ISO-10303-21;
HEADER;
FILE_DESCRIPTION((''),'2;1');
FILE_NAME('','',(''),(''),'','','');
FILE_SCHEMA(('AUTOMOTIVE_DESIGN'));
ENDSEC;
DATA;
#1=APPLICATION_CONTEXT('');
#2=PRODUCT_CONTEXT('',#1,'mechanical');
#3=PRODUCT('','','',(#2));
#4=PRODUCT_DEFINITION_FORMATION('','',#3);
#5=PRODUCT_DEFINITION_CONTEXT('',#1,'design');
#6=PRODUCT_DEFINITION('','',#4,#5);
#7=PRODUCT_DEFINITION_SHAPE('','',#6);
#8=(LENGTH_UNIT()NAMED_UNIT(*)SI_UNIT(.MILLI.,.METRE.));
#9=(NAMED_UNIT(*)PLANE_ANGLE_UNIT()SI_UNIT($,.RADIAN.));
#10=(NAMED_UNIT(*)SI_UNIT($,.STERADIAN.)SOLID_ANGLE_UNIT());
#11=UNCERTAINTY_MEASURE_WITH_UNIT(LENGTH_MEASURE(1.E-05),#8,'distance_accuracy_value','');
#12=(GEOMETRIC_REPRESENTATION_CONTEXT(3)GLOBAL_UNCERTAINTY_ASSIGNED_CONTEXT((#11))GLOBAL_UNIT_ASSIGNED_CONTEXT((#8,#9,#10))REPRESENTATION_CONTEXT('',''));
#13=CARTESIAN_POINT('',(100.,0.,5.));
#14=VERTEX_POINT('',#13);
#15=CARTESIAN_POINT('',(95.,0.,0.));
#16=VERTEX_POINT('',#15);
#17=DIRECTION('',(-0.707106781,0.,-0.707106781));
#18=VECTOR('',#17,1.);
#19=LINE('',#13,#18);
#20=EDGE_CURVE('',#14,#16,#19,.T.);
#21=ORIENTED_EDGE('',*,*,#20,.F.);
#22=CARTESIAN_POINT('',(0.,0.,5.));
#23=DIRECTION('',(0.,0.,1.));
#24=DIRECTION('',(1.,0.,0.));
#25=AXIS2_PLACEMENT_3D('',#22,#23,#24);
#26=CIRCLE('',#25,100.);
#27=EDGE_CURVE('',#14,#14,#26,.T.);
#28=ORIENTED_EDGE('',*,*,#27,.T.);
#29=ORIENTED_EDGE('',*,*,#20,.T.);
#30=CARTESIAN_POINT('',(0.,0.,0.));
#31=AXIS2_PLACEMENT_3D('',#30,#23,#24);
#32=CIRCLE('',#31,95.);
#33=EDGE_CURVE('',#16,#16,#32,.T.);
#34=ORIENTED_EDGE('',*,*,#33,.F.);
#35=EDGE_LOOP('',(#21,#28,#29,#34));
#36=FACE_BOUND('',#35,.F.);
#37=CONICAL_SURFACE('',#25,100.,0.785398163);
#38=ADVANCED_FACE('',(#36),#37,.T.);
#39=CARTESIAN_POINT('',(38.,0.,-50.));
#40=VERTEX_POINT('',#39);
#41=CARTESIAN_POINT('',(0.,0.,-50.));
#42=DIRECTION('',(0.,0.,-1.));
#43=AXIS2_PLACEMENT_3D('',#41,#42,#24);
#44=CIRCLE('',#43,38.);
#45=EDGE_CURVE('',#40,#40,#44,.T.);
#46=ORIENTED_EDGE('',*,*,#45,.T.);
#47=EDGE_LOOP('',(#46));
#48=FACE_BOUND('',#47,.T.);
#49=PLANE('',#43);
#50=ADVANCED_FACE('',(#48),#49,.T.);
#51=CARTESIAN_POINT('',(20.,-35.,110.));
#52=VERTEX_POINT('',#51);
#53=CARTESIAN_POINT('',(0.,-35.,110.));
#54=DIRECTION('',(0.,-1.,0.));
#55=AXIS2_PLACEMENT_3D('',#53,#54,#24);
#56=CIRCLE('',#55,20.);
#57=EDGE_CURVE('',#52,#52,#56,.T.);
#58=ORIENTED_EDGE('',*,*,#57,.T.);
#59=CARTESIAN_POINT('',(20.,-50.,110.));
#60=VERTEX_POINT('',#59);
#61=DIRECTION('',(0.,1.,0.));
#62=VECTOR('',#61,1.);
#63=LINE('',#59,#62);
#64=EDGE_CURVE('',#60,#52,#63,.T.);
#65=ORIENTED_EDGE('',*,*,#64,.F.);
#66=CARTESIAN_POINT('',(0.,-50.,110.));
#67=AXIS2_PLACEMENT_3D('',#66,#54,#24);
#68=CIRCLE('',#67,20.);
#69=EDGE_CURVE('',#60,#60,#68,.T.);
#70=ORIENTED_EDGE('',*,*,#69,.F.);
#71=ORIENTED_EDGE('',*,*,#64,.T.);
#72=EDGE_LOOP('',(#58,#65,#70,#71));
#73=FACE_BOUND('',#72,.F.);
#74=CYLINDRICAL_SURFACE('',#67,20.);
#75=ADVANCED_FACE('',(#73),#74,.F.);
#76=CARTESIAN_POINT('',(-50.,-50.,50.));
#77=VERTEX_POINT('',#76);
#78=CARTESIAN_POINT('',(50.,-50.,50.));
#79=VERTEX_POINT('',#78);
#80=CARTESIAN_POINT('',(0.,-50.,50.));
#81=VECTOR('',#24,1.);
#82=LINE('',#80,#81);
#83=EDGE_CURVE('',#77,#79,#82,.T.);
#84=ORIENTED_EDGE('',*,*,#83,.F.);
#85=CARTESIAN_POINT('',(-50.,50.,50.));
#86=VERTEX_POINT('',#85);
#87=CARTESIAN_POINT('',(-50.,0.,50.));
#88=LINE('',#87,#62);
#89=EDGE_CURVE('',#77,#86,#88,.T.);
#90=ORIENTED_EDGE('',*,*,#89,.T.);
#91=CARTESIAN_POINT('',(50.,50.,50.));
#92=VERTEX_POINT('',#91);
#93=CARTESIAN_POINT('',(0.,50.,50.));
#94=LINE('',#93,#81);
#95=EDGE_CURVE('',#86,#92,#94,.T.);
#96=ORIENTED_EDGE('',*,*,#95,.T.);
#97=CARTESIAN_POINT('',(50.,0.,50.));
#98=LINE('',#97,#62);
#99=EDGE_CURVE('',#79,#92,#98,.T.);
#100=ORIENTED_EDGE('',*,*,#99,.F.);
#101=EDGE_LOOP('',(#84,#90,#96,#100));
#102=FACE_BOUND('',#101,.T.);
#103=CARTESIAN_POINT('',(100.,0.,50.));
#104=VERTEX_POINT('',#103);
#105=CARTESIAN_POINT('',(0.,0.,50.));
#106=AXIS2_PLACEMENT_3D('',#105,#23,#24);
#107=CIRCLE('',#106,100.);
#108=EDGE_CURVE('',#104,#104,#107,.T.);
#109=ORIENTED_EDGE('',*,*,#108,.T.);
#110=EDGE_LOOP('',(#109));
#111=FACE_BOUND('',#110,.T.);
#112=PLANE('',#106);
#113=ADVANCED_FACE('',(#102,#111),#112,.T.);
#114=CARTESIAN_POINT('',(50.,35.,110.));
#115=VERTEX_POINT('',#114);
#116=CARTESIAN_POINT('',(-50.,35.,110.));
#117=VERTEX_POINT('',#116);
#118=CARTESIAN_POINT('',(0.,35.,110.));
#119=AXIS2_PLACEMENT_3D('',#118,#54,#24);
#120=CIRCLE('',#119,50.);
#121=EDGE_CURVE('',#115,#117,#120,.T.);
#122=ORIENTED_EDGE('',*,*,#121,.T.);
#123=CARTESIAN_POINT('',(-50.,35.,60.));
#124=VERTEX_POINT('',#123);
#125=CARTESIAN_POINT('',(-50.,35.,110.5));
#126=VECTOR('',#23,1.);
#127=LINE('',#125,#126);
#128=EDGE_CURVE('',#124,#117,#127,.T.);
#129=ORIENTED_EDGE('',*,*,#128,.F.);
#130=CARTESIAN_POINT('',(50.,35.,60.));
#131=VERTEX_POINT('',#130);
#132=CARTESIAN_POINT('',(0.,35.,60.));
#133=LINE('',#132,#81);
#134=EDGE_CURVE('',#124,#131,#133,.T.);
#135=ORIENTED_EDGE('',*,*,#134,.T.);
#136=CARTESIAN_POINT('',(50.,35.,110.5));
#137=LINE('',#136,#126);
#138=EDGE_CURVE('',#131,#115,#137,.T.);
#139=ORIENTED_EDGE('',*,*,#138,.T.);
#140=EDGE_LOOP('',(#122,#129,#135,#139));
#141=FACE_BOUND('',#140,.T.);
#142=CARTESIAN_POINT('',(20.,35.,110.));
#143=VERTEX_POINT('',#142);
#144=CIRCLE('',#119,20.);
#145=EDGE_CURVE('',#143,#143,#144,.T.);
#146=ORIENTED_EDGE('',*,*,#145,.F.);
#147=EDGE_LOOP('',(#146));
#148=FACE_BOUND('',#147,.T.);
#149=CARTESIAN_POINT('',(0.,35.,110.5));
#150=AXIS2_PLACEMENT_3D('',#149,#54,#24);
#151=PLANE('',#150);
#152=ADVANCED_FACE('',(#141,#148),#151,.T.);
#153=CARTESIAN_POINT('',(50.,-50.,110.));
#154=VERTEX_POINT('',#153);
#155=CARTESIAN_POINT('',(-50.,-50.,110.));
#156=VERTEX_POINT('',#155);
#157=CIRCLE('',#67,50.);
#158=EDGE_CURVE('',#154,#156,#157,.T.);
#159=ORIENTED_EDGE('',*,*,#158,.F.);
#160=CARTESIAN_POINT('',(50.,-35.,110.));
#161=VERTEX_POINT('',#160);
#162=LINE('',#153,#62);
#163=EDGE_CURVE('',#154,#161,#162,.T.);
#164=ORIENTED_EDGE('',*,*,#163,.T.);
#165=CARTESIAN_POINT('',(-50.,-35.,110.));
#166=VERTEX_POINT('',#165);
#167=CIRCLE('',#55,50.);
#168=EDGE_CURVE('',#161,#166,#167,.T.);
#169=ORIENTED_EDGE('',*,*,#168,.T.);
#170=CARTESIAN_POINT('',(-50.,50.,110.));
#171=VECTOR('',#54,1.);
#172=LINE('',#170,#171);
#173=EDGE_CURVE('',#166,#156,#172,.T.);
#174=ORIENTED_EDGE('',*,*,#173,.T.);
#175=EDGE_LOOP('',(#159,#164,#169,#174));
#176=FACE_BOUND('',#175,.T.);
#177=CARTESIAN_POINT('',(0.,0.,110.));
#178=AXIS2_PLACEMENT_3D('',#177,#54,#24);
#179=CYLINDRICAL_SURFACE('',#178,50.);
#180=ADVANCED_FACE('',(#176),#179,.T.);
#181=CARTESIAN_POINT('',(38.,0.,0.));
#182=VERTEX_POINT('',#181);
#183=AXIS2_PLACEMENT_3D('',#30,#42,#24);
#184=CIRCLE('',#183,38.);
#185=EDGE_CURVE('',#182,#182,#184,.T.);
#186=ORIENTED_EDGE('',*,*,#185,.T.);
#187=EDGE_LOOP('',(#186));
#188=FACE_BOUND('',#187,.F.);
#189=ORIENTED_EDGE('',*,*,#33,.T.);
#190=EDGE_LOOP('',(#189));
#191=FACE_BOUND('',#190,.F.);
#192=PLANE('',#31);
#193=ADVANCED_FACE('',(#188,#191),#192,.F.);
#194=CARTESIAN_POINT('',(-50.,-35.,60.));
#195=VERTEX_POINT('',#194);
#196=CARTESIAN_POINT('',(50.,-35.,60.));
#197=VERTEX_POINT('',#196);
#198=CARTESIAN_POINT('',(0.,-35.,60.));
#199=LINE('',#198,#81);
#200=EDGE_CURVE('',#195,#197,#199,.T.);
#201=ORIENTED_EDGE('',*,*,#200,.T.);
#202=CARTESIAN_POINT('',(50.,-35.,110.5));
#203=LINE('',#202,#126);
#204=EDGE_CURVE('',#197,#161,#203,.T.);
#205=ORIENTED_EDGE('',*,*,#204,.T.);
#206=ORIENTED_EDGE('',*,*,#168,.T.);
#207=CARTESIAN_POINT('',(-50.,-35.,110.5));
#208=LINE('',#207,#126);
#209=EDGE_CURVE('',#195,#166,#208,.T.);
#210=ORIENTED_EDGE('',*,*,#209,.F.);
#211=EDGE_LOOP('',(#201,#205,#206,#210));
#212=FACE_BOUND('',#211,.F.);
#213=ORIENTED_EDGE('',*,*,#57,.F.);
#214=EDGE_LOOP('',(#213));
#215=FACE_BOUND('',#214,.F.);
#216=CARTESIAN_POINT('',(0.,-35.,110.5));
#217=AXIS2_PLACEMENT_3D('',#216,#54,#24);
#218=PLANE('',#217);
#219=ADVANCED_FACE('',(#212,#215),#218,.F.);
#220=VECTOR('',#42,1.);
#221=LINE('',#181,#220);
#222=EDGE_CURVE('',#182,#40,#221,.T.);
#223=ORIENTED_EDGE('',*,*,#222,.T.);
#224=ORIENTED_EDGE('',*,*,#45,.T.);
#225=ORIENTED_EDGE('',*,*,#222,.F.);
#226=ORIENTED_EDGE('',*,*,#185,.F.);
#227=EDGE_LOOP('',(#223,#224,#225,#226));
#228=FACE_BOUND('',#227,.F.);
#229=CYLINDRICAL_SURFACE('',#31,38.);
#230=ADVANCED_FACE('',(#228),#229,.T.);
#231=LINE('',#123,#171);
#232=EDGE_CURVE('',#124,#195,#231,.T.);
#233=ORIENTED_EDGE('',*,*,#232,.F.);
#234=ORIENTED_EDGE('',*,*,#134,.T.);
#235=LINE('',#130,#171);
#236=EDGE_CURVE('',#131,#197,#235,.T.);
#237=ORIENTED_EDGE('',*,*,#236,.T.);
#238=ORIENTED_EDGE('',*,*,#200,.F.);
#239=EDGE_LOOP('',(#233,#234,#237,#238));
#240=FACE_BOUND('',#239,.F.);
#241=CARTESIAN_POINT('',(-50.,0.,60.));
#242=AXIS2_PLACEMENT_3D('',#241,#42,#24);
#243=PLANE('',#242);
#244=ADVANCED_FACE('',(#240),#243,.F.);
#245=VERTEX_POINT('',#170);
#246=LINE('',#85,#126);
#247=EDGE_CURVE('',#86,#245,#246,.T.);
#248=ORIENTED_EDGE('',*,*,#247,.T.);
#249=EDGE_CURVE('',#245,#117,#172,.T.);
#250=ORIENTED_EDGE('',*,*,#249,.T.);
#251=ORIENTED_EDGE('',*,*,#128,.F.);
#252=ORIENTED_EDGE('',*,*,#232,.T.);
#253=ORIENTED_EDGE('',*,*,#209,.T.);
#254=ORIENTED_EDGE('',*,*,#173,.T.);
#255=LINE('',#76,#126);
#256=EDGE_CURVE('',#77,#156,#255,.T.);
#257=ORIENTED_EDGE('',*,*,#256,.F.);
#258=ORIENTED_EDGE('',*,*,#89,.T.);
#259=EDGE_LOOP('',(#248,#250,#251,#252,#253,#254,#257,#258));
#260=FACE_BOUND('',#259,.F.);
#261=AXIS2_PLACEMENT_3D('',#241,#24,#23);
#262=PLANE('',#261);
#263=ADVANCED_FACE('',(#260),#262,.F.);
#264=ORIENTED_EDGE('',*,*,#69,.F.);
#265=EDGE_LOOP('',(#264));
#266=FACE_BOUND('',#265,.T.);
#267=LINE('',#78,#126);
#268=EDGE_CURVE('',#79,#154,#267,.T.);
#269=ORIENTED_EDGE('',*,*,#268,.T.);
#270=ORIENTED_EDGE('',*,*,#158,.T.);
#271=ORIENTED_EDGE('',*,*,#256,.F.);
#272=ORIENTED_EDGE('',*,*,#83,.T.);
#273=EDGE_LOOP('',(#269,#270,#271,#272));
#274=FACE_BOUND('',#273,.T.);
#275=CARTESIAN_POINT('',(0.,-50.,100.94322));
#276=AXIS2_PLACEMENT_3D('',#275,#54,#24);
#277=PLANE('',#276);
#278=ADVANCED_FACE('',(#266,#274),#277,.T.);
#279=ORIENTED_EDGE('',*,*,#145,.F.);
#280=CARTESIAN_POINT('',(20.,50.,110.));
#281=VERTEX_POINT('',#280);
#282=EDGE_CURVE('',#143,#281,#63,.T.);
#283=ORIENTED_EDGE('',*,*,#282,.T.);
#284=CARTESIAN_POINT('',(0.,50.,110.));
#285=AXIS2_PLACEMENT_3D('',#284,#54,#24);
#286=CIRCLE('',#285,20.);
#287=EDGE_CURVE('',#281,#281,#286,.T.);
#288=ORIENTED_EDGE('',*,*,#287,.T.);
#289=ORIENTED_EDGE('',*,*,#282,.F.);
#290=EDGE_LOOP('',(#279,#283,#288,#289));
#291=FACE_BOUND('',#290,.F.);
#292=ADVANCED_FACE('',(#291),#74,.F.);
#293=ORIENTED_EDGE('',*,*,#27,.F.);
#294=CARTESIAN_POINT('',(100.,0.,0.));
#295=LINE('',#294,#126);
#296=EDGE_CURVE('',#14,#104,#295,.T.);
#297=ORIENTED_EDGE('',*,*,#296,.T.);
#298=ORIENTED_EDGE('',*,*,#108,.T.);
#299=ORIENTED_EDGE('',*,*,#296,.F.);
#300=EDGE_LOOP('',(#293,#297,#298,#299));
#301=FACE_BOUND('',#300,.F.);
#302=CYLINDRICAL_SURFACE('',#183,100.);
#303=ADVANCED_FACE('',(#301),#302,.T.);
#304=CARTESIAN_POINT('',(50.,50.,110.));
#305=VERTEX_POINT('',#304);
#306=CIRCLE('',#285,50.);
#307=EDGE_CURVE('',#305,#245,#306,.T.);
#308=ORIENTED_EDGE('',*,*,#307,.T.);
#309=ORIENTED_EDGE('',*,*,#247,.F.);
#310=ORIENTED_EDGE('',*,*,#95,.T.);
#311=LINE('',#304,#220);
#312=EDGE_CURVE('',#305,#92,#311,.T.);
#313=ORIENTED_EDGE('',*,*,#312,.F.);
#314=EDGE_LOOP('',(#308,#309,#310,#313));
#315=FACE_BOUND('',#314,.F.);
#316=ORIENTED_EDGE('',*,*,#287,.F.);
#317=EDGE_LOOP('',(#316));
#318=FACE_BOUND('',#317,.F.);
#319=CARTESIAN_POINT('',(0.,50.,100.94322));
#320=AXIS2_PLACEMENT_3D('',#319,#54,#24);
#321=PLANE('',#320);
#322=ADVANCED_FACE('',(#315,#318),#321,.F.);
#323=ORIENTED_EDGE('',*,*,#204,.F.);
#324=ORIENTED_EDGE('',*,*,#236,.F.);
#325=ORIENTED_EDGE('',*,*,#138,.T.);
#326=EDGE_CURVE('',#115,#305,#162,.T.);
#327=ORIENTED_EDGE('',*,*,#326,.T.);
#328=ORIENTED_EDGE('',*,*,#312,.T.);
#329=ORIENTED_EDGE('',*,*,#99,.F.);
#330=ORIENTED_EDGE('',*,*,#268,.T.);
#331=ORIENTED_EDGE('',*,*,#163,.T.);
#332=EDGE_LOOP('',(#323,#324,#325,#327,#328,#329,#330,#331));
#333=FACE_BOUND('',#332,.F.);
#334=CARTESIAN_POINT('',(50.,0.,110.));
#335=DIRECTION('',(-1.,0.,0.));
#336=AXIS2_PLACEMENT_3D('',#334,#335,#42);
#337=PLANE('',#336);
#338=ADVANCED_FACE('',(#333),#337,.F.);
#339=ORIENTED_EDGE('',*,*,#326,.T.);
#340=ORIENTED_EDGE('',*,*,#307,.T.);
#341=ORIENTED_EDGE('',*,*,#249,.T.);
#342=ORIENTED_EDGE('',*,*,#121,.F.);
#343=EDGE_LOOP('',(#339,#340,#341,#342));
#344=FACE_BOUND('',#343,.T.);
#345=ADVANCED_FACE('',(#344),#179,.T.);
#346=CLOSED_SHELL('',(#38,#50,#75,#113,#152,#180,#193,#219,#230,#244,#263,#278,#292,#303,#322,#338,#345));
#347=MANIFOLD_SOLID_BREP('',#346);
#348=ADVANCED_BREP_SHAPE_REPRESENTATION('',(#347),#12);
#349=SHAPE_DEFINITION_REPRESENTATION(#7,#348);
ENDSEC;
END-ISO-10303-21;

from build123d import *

# Parameters (mm, degrees)
SKETCH_R        = 100
PAD_DEPTH       = 50
CHAMFER_SIZE    = 5
SKETCH001_R     = 38
PAD001_DEPTH    = 50
SKETCH002_W     = 100
SKETCH002_H     = 100
PAD002_DEPTH    = 10
PAD003_DEPTH    = 50
SKETCH004_R     = 20
POCKET_DEPTH    = 101
SKETCH005_W     = 100
SKETCH005_H     = 101
POCKET001_DEPTH = 35


with BuildPart() as part:
    # Sketch → Pad (new body)
    with BuildSketch(Plane.XY):
        Circle(SKETCH_R)
    extrude(amount=PAD_DEPTH)

    # Chamfer
    chamfer_edges = [part.edges().sort_by_distance(p)[0] for p in [
        (-100, 0, 0),
    ]]
    chamfer(chamfer_edges, length=CHAMFER_SIZE)

    # Sketch001 (on Face4 of Chamfer) → Pad001 (join)
    with BuildSketch(Plane(origin=(0, 0, 0), x_dir=(1, 0, 0), z_dir=(0, 0, -1))):
        Circle(SKETCH001_R)
    extrude(amount=PAD001_DEPTH)

    # Sketch002 (on Face3 of Pad001) → Pad002 (join)
    with BuildSketch(Plane.XY.offset(50)):
        Rectangle(SKETCH002_W, SKETCH002_H)
    extrude(amount=PAD002_DEPTH)

    # Sketch003 → Pad003 (join, symmetric)
    with BuildSketch(Plane.XZ):
        with BuildLine():
            ThreePointArc((50, 110), (0, 160), (-50, 110))
            Line((-50, 60), (-50, 110))
            Line((50, 60), (-50, 60))
            Line((50, 110), (50, 60))
        make_face()
    extrude(amount=PAD003_DEPTH, both=True)

    # Sketch004 (on Face11 of Pad003) → Pocket (cut)
    with BuildSketch(Plane.XZ.offset(50)):
        with Locations((0, 110)):
            Circle(SKETCH004_R)
    extrude(amount=-POCKET_DEPTH, mode=Mode.SUBTRACT)

    # Sketch005 → Pocket001 (cut, symmetric)
    with BuildSketch(Plane.XZ):
        with Locations((0, 110.5)):
            Rectangle(SKETCH005_W, SKETCH005_H)
    extrude(amount=POCKET001_DEPTH, both=True, mode=Mode.SUBTRACT)


solid = part.part
